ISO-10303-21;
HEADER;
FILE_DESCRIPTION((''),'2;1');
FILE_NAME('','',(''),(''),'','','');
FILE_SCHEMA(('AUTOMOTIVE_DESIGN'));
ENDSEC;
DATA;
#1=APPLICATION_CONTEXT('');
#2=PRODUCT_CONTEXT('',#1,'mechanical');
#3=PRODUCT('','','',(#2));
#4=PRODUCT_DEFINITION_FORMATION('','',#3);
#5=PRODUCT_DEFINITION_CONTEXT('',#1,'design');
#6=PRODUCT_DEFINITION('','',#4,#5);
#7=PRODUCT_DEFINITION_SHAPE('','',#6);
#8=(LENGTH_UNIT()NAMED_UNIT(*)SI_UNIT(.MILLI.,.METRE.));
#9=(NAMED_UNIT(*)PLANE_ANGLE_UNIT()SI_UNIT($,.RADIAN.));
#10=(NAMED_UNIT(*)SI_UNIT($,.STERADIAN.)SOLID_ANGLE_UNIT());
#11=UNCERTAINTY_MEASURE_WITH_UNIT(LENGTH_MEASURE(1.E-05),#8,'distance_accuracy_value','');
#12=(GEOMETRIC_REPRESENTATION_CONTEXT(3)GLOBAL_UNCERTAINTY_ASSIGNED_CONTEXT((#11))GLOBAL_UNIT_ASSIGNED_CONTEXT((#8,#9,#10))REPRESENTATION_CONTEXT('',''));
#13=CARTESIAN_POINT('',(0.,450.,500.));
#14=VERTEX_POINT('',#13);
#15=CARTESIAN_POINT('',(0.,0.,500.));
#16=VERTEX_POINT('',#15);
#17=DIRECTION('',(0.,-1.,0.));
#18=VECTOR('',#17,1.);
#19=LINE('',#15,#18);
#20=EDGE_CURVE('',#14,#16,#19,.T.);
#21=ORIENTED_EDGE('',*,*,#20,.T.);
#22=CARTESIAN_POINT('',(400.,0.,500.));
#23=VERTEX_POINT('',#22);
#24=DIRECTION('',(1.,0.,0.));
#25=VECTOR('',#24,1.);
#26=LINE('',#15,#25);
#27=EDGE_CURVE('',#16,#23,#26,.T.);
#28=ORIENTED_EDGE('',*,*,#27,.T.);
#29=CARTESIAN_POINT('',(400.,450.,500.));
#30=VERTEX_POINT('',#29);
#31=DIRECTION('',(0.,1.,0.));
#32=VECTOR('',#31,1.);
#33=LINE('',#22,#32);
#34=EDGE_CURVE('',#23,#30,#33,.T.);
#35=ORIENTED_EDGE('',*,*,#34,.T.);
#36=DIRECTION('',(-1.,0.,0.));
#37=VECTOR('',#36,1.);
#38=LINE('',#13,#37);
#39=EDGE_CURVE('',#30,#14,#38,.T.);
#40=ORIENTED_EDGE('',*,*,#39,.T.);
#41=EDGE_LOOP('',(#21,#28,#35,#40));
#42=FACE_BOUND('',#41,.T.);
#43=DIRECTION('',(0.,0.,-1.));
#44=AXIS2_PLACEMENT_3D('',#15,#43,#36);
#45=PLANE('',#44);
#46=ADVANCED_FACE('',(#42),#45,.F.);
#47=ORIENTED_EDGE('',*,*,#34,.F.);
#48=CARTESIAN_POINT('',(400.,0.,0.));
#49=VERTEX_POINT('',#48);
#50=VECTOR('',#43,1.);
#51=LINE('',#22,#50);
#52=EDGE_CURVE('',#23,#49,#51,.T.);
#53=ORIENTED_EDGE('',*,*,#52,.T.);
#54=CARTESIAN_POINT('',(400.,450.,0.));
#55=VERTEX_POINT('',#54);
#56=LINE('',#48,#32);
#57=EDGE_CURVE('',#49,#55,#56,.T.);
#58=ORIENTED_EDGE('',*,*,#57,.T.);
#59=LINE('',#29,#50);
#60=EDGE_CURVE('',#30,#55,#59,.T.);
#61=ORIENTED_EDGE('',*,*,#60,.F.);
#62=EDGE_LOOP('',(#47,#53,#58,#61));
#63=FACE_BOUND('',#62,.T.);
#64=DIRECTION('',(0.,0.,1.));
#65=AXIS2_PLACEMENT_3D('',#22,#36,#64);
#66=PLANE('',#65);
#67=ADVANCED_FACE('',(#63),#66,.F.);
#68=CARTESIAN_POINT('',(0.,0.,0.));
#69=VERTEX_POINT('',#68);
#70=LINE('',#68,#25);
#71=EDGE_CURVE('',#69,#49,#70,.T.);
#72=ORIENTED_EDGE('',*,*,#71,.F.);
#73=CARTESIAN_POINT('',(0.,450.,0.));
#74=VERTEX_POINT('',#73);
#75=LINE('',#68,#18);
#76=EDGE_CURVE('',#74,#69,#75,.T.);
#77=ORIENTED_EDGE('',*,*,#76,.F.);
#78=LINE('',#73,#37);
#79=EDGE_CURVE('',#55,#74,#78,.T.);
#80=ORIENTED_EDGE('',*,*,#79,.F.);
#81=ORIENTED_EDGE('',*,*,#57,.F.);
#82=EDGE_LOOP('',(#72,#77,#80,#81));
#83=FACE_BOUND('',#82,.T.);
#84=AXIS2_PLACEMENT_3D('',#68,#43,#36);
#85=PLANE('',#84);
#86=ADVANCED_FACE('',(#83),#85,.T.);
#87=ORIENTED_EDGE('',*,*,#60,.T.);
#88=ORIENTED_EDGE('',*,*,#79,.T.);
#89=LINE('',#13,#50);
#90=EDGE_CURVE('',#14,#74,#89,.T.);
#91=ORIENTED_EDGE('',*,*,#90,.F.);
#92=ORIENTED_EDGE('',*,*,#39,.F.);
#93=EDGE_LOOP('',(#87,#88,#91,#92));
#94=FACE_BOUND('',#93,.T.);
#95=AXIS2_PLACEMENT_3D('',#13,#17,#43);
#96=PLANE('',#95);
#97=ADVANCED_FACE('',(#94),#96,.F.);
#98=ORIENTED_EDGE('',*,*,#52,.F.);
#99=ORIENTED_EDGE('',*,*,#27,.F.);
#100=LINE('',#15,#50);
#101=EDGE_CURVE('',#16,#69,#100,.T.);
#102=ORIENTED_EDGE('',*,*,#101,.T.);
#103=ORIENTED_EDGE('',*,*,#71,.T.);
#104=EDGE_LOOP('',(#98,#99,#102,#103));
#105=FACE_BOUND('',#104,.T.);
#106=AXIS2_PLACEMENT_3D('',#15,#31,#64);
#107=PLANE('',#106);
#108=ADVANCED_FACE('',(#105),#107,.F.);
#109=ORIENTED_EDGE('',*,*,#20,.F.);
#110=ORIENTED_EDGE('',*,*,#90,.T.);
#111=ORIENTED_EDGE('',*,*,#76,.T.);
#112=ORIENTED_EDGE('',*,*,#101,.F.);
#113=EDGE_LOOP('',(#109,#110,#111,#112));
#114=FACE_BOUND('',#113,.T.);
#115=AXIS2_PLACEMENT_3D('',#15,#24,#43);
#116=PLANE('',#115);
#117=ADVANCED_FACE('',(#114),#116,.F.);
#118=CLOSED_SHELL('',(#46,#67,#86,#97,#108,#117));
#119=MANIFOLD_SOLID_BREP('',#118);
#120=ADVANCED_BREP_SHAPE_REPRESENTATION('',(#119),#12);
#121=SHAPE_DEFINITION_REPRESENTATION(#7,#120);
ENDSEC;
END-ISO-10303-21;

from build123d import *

# Parameters (mm, degrees)
SKETCH_1_W      = 400
SKETCH_1_H      = 450
EXTRUDE_1_DEPTH = 500


with BuildPart() as part:
    # ｽｹｯﾁ1 → ﾎﾞｽ - 押し出し1 (new body)
    with BuildSketch(Plane.XY):
        with Locations((200, 225)):
            Rectangle(SKETCH_1_W, SKETCH_1_H)
    extrude(amount=EXTRUDE_1_DEPTH)


solid = part.part
